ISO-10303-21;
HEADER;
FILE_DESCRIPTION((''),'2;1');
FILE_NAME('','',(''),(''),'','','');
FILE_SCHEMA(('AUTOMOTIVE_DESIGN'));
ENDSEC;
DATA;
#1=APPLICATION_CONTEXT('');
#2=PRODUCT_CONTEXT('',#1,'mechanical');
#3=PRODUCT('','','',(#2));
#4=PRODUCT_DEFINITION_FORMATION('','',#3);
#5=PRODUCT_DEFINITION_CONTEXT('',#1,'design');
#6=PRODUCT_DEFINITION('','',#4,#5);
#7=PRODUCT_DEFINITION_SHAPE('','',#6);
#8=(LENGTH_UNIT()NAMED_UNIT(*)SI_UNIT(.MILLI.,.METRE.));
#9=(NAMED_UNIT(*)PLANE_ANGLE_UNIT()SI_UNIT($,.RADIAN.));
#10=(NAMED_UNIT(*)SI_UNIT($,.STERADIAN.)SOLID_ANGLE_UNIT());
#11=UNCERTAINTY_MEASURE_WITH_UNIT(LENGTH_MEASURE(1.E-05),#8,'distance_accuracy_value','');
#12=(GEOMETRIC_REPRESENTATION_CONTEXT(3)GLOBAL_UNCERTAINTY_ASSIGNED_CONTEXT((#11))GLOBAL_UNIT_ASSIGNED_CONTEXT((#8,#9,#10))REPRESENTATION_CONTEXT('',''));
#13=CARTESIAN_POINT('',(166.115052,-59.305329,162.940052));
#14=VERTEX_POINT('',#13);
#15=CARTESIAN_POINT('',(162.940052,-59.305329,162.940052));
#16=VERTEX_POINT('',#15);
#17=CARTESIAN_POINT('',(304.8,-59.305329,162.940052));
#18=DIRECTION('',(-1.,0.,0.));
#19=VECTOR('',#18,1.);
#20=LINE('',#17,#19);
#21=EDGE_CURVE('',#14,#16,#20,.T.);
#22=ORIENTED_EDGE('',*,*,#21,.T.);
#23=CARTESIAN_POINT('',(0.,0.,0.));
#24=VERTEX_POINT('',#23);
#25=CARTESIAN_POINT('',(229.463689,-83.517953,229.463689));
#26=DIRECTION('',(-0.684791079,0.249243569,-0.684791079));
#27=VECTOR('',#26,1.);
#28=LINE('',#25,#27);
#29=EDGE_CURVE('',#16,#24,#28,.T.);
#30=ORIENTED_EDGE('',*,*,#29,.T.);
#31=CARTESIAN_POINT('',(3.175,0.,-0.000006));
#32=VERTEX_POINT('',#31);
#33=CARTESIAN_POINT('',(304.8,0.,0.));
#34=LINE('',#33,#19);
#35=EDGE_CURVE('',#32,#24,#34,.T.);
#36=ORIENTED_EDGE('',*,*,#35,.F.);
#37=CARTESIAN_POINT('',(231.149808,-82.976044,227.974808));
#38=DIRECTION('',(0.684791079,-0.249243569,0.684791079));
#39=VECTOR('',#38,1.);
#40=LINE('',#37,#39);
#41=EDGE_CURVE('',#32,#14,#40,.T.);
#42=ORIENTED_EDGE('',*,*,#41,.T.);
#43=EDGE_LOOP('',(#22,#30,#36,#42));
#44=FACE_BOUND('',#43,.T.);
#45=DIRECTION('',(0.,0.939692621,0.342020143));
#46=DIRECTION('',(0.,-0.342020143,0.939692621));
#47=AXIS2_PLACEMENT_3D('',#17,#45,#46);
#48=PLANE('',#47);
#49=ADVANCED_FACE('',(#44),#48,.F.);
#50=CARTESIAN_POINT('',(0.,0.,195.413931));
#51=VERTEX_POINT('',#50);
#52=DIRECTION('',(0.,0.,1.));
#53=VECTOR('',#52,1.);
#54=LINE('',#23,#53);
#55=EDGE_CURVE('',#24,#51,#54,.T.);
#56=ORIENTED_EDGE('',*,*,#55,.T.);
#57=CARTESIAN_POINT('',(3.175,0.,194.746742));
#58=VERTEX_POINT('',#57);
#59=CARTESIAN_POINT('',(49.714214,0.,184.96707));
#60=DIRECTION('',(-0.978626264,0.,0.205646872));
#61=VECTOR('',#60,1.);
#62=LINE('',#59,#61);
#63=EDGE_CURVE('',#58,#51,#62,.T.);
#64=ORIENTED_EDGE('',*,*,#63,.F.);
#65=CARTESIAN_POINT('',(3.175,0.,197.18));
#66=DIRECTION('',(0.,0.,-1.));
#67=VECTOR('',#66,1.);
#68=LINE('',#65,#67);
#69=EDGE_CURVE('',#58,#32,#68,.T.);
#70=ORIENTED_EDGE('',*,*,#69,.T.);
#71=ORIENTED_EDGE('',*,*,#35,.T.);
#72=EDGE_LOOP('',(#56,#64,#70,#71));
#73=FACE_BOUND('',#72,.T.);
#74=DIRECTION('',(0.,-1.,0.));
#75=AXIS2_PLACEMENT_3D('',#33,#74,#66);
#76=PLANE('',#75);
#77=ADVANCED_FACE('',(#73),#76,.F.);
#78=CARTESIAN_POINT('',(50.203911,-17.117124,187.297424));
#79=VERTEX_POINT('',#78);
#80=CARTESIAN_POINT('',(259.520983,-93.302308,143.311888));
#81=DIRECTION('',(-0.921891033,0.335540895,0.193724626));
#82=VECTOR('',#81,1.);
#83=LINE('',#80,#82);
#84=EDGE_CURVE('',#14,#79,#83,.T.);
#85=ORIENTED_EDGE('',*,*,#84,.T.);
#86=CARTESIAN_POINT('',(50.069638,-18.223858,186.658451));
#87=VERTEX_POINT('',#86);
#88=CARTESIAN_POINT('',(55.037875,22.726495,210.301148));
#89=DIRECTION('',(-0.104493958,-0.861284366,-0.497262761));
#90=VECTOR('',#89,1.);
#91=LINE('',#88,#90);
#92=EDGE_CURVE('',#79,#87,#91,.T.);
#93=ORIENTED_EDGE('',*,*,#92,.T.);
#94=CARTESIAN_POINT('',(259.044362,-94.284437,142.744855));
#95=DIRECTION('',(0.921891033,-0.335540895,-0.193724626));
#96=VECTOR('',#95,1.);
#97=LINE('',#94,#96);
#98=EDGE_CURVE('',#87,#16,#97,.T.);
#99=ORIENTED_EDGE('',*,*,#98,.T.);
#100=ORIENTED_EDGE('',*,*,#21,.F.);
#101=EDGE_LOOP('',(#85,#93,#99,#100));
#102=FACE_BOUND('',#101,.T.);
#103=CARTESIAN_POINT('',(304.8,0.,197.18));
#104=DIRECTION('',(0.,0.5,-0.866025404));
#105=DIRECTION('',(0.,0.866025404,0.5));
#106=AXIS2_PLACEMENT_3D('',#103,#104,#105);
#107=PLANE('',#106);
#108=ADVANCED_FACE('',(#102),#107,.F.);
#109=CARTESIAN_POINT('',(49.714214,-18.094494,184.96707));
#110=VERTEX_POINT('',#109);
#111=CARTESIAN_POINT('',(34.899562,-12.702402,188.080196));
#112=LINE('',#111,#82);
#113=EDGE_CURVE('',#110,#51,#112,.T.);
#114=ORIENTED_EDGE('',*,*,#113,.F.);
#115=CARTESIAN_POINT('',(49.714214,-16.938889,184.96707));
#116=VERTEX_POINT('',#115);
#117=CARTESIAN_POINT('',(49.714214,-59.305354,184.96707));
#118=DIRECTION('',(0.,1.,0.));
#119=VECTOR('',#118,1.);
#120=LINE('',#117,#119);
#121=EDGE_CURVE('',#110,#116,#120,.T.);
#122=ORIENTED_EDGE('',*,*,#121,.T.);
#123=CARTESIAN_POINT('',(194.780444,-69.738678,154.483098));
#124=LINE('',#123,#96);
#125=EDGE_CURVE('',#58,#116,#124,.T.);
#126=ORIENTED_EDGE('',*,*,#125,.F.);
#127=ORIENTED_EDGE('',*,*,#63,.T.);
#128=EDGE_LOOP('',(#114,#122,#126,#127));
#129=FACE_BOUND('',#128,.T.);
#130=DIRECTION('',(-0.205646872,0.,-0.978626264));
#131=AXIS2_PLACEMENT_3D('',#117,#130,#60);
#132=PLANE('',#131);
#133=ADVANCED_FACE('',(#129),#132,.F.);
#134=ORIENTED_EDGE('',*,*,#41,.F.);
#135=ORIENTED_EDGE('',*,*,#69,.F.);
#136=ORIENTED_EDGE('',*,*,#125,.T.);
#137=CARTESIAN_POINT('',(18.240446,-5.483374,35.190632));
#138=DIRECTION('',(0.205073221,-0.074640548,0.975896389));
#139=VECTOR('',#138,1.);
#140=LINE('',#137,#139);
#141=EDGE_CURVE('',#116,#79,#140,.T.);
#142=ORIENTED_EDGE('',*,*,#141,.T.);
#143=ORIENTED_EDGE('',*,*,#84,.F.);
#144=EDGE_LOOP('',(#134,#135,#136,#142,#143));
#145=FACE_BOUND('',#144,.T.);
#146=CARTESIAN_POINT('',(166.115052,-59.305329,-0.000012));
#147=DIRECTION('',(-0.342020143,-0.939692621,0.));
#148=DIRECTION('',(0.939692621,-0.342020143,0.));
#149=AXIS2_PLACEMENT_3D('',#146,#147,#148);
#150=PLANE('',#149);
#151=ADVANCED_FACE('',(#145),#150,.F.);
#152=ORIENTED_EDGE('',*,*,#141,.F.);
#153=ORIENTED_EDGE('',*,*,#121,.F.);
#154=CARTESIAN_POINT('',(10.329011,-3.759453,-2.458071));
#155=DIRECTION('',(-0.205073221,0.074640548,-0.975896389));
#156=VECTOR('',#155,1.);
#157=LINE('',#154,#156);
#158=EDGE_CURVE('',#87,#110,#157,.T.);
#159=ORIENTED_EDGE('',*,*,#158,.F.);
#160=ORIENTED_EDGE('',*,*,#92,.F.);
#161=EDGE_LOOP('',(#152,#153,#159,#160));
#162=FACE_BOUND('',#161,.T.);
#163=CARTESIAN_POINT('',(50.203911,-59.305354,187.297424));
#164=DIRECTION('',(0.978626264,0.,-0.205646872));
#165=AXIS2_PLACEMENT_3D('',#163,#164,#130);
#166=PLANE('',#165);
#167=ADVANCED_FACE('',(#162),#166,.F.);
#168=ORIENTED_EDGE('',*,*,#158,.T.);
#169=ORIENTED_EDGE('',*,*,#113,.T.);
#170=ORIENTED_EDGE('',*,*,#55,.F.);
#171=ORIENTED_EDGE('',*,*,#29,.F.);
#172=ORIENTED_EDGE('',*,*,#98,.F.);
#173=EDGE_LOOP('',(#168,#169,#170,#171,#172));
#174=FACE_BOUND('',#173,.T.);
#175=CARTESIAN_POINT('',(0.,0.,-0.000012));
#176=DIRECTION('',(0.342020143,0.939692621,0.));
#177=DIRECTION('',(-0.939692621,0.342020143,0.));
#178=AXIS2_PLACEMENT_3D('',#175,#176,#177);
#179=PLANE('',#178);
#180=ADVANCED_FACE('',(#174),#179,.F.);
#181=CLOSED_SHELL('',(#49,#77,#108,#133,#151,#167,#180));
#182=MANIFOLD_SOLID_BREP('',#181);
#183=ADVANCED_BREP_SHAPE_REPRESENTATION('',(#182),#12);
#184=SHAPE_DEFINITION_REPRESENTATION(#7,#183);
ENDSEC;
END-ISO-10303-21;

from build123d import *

# Parameters (mm, degrees)
BOSS_EXTRUDE1_DEPTH     = 304.8
CUT_EXTRUDE1_DEPTH      = 198.18
CUT_EXTRUDE1_DEPTH_BACK = 1
CUT_EXTRUDE4_DEPTH      = 60.305329017


with BuildPart() as part:
    # Sketch1 → Boss-Extrude1 (new body)
    with BuildSketch(Plane(origin=(0, 0, 0), x_dir=(0, 0, -1), z_dir=(1, 0, 0))):
        Polygon((0, 0), (-197.18, 0), (-162.940052328, -59.305329017), align=None)
    extrude(amount=BOSS_EXTRUDE1_DEPTH)

    # Sketch2 → Cut-Extrude1 (cut, two sides)
    with BuildSketch(Plane.XY) as cut_extrude1_sk:
        Polygon((0, 0), (162.940052328, -59.305329017), (0, -59.305329017), align=None)
        Polygon((166.115052328, -59.305329017), (3.175, 0), (304.8, 0), (304.8, -59.305329017), align=None)
    extrude(amount=CUT_EXTRUDE1_DEPTH, mode=Mode.SUBTRACT)
    extrude(cut_extrude1_sk.sketch, amount=-CUT_EXTRUDE1_DEPTH_BACK, mode=Mode.SUBTRACT)

    # Sketch4 → Cut-Extrude4 (cut, through all)
    with BuildSketch(Plane(origin=(0, 0, 0), x_dir=(1, 0, 0), z_dir=(0, 1, 0))):
        Polygon((50.203910812, -187.297424032), (49.714214198, -184.967070242), (0, -195.413931332), (0, -197.18), (3.175, -197.18), align=None)
    extrude(amount=-CUT_EXTRUDE4_DEPTH, mode=Mode.SUBTRACT)


solid = part.part
